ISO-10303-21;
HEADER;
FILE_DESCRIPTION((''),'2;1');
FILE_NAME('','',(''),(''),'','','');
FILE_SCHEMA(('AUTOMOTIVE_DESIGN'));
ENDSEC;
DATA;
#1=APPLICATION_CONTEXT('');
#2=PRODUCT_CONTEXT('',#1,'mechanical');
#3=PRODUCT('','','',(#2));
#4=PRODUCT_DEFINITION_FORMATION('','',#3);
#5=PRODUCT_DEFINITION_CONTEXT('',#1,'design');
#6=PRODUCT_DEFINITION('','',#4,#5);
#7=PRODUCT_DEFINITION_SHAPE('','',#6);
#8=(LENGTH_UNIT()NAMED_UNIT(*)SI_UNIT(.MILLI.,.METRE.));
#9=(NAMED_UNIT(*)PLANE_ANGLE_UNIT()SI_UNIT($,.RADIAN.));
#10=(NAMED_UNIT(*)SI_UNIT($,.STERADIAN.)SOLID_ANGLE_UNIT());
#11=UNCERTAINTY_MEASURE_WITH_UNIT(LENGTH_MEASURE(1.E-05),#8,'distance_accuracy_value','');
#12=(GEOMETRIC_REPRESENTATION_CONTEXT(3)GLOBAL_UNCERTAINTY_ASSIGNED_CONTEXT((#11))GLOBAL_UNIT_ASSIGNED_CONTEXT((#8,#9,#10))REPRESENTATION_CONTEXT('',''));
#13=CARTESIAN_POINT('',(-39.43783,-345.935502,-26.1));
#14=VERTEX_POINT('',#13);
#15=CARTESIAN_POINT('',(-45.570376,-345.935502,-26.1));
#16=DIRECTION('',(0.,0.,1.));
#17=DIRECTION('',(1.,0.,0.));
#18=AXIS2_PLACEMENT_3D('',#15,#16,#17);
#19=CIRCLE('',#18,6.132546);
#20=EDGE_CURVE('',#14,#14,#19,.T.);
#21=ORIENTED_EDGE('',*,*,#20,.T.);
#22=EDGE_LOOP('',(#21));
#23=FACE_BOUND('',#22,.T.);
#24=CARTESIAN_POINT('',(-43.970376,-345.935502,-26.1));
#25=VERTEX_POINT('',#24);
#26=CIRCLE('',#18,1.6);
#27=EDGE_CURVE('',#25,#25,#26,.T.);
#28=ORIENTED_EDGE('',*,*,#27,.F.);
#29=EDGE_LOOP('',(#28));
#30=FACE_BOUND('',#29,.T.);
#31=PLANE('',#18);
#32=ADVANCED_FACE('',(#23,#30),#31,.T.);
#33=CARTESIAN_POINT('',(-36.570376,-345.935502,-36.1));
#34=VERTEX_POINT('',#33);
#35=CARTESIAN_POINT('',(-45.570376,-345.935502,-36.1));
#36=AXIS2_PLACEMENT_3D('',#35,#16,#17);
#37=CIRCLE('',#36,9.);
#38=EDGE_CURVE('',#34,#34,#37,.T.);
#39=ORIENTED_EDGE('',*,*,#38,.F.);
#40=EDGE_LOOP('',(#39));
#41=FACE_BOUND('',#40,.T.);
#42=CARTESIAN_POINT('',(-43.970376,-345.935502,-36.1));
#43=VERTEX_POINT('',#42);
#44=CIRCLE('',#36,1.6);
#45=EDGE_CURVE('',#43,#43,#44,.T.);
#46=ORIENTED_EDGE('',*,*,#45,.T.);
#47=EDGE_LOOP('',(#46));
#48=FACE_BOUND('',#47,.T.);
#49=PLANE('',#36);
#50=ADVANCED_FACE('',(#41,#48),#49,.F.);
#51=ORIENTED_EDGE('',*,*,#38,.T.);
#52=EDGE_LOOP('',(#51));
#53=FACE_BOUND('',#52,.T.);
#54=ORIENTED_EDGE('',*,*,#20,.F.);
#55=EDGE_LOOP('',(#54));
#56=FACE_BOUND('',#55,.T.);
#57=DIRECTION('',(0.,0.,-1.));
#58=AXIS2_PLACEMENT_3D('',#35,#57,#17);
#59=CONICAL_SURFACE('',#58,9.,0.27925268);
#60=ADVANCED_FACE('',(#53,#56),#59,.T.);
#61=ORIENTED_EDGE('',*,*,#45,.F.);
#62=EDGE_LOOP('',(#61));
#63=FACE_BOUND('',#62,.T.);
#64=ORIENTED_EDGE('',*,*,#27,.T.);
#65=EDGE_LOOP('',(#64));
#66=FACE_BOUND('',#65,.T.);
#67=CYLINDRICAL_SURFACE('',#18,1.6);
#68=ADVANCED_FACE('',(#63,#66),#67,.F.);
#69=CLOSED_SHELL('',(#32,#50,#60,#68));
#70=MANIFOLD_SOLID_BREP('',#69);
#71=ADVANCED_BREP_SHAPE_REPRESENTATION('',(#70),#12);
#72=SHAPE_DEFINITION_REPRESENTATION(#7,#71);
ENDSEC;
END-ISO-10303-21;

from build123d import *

# Parameters (mm, degrees)
ESBO_O1_R                = 9
RESSALTO_EXTRUS_O1_DEPTH = 10
RESSALTO_EXTRUS_O1_TAPER = 16
M3_CLEARANCE_HOLE1_D     = 3.2


with BuildPart() as part:
    # Esboço1 → Ressalto-extrusão1 (new body)
    with BuildSketch(Plane.XY.offset(-36.1)):
        with Locations((-45.57037618, -345.935502047)):
            Circle(ESBO_O1_R)
    extrude(amount=RESSALTO_EXTRUS_O1_DEPTH, taper=RESSALTO_EXTRUS_O1_TAPER)

    # M3 Clearance Hole1 (through all)
    with Locations(Plane.XY.offset(-26.1)):
        with Locations((-45.57037618, -345.935502047)):
            Hole(M3_CLEARANCE_HOLE1_D / 2)


solid = part.part
